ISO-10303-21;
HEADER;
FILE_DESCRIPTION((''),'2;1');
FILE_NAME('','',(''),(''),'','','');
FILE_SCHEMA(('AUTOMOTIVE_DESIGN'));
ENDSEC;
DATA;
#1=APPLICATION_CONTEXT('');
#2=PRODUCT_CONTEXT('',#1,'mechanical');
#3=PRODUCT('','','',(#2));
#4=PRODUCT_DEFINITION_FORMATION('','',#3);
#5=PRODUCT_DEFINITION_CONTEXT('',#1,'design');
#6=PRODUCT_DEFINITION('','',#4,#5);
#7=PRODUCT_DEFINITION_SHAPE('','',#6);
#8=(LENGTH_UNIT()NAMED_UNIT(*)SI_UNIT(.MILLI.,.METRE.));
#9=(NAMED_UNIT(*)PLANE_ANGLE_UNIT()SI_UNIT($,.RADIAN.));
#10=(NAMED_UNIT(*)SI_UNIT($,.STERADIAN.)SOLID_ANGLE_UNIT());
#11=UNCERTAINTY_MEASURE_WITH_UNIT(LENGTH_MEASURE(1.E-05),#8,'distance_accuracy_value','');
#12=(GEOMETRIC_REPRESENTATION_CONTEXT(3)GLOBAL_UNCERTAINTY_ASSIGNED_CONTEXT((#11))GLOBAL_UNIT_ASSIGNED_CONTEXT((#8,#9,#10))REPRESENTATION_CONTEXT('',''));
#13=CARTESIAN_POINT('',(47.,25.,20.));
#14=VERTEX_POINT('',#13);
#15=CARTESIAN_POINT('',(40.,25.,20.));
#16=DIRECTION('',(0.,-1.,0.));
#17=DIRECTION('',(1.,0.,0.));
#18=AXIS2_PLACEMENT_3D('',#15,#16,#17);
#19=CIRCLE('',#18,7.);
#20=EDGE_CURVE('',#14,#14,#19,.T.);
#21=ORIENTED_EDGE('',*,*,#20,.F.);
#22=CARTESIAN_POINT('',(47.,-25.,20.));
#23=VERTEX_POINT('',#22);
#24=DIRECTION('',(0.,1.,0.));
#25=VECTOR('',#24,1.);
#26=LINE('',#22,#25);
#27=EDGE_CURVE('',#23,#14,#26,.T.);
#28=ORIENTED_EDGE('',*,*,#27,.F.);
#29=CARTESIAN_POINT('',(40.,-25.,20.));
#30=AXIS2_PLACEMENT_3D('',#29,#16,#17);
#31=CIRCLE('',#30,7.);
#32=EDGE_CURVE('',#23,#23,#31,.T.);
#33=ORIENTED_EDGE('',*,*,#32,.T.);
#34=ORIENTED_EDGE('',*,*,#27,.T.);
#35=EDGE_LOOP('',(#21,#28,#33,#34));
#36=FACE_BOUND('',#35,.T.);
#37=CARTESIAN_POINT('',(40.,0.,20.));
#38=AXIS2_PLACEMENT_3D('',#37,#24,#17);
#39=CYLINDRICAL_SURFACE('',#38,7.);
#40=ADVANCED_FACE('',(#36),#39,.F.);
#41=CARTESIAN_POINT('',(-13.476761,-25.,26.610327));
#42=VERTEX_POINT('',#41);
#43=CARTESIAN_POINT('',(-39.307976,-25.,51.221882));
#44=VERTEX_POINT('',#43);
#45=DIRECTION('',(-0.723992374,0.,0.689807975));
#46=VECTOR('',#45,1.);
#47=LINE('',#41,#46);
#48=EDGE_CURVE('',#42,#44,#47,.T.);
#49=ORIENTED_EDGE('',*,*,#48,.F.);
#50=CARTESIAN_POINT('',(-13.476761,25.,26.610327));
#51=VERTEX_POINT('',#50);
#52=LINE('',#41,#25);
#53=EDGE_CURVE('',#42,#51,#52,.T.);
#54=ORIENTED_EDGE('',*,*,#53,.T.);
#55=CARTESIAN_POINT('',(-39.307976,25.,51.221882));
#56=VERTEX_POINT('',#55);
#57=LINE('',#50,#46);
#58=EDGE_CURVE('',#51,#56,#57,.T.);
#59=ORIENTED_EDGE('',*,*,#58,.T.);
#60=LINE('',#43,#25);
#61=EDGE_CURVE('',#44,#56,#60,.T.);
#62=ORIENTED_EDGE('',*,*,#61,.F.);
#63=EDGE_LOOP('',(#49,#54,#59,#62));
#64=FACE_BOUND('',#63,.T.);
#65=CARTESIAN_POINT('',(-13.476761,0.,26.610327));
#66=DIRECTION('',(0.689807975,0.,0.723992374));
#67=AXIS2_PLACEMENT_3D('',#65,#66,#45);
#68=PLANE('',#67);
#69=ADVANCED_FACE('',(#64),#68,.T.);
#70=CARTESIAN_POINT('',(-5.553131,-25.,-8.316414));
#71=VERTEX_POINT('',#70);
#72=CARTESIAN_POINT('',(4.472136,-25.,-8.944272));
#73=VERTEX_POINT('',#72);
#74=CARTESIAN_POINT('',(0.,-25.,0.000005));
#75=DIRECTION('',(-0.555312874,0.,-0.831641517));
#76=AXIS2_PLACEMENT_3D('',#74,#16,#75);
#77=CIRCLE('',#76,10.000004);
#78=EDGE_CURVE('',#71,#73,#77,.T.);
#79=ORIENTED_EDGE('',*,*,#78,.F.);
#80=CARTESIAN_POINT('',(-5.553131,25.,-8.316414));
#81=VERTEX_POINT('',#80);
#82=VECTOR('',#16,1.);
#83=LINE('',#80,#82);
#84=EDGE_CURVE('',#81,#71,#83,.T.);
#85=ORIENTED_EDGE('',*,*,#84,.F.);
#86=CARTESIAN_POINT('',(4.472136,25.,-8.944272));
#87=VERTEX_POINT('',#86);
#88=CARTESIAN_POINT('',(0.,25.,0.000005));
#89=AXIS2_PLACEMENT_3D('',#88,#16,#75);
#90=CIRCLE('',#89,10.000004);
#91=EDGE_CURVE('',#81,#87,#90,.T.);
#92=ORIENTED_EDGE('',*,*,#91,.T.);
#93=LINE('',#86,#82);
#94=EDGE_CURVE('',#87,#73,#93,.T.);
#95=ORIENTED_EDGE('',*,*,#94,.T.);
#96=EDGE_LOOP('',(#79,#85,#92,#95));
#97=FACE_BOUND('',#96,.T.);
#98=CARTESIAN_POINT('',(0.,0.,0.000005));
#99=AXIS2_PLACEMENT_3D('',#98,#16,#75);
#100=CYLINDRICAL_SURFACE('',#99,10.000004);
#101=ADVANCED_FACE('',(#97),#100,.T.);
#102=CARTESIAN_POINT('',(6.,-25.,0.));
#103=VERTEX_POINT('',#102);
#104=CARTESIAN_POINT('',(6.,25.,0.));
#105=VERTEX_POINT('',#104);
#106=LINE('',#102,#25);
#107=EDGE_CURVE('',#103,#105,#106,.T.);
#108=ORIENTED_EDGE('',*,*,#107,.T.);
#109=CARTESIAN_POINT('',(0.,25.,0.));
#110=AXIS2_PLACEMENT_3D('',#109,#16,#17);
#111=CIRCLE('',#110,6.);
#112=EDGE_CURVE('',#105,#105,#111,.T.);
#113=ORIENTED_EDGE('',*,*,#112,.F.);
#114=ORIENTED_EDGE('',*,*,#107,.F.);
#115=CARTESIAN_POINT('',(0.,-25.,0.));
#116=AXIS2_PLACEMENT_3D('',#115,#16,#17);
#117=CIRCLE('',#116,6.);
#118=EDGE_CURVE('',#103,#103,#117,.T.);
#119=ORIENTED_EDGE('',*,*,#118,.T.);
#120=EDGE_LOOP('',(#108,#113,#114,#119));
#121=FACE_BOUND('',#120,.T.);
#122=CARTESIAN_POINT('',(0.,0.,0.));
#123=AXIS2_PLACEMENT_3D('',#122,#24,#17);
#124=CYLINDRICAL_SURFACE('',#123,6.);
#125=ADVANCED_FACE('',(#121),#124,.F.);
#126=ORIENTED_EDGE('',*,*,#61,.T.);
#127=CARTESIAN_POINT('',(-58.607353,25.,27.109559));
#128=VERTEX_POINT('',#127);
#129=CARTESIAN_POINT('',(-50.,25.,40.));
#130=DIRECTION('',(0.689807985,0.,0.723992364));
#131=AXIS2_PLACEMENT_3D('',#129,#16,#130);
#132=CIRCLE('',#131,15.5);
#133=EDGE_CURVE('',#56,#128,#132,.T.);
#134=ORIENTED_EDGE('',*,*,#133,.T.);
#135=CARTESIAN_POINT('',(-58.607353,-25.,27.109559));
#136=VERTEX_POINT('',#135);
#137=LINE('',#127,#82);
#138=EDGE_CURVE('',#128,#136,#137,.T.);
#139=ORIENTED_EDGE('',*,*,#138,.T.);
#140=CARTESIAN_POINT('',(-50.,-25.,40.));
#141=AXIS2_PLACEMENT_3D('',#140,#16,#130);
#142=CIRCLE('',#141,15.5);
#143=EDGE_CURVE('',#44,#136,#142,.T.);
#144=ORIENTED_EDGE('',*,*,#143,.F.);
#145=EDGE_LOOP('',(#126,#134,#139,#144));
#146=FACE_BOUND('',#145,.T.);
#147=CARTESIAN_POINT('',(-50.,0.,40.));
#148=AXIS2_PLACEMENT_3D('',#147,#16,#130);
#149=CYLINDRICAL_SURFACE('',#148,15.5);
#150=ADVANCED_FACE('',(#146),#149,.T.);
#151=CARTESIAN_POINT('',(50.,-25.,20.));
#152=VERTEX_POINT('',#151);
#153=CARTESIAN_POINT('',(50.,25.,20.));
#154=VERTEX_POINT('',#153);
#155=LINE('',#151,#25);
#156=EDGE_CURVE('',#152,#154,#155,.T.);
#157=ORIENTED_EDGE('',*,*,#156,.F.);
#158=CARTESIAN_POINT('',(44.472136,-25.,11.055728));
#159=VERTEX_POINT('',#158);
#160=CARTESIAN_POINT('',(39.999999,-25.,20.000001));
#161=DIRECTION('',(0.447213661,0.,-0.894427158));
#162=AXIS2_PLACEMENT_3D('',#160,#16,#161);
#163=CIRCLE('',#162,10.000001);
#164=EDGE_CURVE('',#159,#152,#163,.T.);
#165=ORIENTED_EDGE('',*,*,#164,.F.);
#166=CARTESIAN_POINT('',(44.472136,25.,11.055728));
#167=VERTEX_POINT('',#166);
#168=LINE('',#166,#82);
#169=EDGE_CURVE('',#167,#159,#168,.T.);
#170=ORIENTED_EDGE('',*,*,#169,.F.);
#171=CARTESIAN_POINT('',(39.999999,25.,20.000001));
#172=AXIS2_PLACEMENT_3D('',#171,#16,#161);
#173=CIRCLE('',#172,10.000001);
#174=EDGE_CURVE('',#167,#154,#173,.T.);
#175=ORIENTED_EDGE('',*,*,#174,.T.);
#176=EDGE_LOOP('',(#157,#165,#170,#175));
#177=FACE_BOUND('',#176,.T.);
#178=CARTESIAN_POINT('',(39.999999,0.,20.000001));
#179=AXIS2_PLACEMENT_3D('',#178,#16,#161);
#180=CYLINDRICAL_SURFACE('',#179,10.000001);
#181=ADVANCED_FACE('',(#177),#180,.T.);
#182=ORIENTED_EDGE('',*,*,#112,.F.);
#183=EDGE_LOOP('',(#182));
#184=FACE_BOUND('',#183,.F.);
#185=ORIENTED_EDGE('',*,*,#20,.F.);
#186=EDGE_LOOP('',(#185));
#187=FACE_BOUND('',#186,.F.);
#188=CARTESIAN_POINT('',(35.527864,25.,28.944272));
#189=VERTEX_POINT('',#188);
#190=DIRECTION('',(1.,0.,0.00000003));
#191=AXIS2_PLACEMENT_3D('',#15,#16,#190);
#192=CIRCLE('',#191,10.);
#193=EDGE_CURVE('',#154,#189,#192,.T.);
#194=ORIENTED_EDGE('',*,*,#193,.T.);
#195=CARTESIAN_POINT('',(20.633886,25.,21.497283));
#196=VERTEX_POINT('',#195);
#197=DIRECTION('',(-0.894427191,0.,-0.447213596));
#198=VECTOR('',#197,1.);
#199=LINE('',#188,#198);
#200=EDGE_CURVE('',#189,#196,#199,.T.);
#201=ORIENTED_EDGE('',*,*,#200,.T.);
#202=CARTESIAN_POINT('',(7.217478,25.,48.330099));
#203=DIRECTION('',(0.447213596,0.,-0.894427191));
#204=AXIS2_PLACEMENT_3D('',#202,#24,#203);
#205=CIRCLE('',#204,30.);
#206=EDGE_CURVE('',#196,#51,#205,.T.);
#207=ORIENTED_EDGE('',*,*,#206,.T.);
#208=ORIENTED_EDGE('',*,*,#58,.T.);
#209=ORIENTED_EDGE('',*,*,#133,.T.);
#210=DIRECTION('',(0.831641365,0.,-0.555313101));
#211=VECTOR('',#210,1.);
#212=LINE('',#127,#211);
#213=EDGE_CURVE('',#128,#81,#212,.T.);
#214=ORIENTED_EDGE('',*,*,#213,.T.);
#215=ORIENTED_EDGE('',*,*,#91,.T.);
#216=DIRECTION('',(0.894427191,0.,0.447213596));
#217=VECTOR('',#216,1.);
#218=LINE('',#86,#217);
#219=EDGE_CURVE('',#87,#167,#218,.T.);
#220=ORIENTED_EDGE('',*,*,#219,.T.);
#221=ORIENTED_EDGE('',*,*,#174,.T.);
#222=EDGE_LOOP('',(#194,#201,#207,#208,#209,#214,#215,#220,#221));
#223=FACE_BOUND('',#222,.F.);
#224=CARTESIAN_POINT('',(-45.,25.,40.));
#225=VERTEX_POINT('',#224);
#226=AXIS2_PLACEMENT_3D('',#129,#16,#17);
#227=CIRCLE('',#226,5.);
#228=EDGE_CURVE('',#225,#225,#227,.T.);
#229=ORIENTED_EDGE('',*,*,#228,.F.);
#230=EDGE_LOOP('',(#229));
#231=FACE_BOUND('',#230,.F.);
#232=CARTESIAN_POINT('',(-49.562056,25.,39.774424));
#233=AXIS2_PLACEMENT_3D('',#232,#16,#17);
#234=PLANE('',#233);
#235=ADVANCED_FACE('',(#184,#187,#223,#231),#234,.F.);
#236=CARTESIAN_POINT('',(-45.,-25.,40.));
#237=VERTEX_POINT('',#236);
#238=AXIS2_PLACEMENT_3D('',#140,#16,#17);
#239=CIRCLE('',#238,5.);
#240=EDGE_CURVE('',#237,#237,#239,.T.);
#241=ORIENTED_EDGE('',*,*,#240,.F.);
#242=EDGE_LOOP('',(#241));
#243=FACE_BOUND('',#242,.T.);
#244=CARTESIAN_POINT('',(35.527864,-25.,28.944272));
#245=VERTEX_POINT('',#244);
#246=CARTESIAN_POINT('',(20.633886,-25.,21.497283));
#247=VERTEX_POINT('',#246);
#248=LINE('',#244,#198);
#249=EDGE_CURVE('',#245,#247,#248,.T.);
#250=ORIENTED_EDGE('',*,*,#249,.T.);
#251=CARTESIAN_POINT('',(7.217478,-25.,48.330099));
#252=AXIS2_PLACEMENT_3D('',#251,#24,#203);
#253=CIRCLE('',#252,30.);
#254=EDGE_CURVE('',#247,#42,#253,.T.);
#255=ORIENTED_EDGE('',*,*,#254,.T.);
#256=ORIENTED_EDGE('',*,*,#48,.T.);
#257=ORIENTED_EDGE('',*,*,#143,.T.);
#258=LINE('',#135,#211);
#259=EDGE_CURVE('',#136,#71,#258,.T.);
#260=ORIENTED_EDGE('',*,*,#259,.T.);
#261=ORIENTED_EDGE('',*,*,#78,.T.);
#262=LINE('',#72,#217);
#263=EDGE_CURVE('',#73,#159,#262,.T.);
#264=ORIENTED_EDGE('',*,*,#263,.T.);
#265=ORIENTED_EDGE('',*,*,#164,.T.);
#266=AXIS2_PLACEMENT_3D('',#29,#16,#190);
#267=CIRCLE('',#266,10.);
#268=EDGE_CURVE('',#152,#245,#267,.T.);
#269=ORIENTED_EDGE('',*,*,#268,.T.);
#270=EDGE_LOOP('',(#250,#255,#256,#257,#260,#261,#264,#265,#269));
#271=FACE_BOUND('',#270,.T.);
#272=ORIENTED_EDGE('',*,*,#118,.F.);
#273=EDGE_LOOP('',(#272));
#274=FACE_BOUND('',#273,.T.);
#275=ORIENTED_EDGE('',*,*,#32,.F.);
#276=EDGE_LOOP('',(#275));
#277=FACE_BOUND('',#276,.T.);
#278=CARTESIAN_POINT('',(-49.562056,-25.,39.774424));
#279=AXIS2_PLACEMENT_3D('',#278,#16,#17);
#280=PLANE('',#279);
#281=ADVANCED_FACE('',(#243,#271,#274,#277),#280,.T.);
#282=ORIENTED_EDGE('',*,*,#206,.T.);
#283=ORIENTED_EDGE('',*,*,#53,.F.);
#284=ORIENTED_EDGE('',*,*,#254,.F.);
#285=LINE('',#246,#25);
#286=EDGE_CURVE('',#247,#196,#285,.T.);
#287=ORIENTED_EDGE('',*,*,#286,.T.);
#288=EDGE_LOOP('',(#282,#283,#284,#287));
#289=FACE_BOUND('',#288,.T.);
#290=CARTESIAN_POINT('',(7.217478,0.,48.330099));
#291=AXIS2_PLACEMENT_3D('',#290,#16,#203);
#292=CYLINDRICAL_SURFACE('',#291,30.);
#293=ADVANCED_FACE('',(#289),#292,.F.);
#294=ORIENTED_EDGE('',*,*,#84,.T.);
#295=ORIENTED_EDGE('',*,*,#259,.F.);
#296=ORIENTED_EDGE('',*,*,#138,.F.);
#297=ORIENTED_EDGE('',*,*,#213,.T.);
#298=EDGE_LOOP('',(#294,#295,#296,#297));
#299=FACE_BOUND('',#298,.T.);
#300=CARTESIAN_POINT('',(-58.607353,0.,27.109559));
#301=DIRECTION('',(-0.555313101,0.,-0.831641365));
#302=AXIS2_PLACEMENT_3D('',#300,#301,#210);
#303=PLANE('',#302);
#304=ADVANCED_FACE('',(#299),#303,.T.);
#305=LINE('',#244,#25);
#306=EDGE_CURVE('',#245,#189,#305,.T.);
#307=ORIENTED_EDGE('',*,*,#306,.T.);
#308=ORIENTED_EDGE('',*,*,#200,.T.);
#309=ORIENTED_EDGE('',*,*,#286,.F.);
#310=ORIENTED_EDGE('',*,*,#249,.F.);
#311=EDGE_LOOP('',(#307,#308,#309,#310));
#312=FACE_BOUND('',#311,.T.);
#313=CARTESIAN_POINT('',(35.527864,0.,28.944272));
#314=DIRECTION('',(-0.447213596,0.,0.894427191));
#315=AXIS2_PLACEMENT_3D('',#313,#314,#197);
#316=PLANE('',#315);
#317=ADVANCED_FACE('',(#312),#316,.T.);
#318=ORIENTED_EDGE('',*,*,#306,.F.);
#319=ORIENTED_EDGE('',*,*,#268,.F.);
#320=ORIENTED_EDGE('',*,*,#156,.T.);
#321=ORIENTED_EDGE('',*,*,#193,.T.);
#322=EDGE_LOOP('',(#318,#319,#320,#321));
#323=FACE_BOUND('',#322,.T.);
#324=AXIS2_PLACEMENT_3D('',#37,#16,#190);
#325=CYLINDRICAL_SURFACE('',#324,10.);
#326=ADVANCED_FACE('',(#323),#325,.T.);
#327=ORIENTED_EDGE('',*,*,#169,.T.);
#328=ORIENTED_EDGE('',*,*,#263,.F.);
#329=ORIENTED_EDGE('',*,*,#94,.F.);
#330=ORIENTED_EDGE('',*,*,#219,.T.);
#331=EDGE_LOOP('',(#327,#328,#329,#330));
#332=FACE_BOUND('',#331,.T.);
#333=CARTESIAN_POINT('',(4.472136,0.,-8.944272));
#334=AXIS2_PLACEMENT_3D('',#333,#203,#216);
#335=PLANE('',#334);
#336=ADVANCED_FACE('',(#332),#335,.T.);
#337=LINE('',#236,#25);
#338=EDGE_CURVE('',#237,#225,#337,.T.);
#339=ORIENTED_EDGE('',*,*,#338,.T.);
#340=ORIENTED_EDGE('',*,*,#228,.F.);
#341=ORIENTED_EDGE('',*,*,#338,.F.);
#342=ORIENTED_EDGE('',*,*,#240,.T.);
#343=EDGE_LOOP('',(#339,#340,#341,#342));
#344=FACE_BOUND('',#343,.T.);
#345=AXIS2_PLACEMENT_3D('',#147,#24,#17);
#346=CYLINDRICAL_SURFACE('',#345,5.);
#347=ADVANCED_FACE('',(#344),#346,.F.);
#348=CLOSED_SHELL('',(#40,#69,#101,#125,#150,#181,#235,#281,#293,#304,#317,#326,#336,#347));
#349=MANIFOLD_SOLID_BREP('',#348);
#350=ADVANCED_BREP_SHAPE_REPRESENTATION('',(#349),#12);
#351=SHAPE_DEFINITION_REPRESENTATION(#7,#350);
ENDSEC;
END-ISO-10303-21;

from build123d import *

# Parameters (mm, degrees)
F0_R     = 5
F0_R_2   = 6
F0_R_3   = 7
F1_DEPTH = 25


with BuildPart() as f1:
    # F0 (on Front) → F1 (new body, symmetric)
    with BuildSketch(Plane.XZ):
        with BuildLine():
            ThreePointArc((-39.307976, 51.221882), (-62.101136, 49.685686), (-58.607353, 27.109559))
            ThreePointArc((-58.607353, 27.109559), (-42.691237, 26.33135), (-34.5, 40))
            ThreePointArc((-34.5, 40), (-35.752608, 46.104246), (-39.307976, 51.221882))
        make_face()
        with Locations((-50, 40)):
            Circle(F0_R, mode=Mode.SUBTRACT)
        with BuildLine():
            ThreePointArc((-5.553131, -8.316414), (-4.715331, 8.818484), (10, 0))
            ThreePointArc((10, 0), (8.506508, -5.257311), (4.472136, -8.944272))
            Line((4.472136, -8.944272), (44.472136, 11.055728))
            ThreePointArc((44.472136, 11.055728), (31.055728, 15.527864), (35.527864, 28.944272))
            Line((35.527864, 28.944272), (20.633886, 21.497283))
            ThreePointArc((20.633886, 21.497283), (2.770286, 18.661555), (-13.476761, 26.610327))
            Line((-13.476761, 26.610327), (-39.307976, 51.221882))
            ThreePointArc((-39.307976, 51.221882), (-35.752608, 46.104246), (-34.5, 40))
            ThreePointArc((-34.5, 40), (-42.691237, 26.33135), (-58.607353, 27.109559))
            Line((-58.607353, 27.109559), (-5.553131, -8.316414))
        make_face()
        with BuildLine():
            ThreePointArc((4.472136, -8.944272), (8.506508, -5.257311), (10, 0))
            ThreePointArc((10, 0), (-4.715331, 8.818484), (-5.553131, -8.316414))
            ThreePointArc((-5.553131, -8.316414), (-0.625051, -9.980446), (4.472136, -8.944272))
        make_face()
        Circle(F0_R_2, mode=Mode.SUBTRACT)
        with BuildLine():
            ThreePointArc((35.527864, 28.944272), (31.055728, 15.527864), (44.472136, 11.055728))
            ThreePointArc((44.472136, 11.055728), (48.506508, 14.742689), (50, 20))
            ThreePointArc((50, 20), (45.257311, 28.506508), (35.527864, 28.944272))
        make_face()
        with Locations((40, 20)):
            Circle(F0_R_3, mode=Mode.SUBTRACT)
    extrude(amount=F1_DEPTH, both=True)


solid = f1.part
